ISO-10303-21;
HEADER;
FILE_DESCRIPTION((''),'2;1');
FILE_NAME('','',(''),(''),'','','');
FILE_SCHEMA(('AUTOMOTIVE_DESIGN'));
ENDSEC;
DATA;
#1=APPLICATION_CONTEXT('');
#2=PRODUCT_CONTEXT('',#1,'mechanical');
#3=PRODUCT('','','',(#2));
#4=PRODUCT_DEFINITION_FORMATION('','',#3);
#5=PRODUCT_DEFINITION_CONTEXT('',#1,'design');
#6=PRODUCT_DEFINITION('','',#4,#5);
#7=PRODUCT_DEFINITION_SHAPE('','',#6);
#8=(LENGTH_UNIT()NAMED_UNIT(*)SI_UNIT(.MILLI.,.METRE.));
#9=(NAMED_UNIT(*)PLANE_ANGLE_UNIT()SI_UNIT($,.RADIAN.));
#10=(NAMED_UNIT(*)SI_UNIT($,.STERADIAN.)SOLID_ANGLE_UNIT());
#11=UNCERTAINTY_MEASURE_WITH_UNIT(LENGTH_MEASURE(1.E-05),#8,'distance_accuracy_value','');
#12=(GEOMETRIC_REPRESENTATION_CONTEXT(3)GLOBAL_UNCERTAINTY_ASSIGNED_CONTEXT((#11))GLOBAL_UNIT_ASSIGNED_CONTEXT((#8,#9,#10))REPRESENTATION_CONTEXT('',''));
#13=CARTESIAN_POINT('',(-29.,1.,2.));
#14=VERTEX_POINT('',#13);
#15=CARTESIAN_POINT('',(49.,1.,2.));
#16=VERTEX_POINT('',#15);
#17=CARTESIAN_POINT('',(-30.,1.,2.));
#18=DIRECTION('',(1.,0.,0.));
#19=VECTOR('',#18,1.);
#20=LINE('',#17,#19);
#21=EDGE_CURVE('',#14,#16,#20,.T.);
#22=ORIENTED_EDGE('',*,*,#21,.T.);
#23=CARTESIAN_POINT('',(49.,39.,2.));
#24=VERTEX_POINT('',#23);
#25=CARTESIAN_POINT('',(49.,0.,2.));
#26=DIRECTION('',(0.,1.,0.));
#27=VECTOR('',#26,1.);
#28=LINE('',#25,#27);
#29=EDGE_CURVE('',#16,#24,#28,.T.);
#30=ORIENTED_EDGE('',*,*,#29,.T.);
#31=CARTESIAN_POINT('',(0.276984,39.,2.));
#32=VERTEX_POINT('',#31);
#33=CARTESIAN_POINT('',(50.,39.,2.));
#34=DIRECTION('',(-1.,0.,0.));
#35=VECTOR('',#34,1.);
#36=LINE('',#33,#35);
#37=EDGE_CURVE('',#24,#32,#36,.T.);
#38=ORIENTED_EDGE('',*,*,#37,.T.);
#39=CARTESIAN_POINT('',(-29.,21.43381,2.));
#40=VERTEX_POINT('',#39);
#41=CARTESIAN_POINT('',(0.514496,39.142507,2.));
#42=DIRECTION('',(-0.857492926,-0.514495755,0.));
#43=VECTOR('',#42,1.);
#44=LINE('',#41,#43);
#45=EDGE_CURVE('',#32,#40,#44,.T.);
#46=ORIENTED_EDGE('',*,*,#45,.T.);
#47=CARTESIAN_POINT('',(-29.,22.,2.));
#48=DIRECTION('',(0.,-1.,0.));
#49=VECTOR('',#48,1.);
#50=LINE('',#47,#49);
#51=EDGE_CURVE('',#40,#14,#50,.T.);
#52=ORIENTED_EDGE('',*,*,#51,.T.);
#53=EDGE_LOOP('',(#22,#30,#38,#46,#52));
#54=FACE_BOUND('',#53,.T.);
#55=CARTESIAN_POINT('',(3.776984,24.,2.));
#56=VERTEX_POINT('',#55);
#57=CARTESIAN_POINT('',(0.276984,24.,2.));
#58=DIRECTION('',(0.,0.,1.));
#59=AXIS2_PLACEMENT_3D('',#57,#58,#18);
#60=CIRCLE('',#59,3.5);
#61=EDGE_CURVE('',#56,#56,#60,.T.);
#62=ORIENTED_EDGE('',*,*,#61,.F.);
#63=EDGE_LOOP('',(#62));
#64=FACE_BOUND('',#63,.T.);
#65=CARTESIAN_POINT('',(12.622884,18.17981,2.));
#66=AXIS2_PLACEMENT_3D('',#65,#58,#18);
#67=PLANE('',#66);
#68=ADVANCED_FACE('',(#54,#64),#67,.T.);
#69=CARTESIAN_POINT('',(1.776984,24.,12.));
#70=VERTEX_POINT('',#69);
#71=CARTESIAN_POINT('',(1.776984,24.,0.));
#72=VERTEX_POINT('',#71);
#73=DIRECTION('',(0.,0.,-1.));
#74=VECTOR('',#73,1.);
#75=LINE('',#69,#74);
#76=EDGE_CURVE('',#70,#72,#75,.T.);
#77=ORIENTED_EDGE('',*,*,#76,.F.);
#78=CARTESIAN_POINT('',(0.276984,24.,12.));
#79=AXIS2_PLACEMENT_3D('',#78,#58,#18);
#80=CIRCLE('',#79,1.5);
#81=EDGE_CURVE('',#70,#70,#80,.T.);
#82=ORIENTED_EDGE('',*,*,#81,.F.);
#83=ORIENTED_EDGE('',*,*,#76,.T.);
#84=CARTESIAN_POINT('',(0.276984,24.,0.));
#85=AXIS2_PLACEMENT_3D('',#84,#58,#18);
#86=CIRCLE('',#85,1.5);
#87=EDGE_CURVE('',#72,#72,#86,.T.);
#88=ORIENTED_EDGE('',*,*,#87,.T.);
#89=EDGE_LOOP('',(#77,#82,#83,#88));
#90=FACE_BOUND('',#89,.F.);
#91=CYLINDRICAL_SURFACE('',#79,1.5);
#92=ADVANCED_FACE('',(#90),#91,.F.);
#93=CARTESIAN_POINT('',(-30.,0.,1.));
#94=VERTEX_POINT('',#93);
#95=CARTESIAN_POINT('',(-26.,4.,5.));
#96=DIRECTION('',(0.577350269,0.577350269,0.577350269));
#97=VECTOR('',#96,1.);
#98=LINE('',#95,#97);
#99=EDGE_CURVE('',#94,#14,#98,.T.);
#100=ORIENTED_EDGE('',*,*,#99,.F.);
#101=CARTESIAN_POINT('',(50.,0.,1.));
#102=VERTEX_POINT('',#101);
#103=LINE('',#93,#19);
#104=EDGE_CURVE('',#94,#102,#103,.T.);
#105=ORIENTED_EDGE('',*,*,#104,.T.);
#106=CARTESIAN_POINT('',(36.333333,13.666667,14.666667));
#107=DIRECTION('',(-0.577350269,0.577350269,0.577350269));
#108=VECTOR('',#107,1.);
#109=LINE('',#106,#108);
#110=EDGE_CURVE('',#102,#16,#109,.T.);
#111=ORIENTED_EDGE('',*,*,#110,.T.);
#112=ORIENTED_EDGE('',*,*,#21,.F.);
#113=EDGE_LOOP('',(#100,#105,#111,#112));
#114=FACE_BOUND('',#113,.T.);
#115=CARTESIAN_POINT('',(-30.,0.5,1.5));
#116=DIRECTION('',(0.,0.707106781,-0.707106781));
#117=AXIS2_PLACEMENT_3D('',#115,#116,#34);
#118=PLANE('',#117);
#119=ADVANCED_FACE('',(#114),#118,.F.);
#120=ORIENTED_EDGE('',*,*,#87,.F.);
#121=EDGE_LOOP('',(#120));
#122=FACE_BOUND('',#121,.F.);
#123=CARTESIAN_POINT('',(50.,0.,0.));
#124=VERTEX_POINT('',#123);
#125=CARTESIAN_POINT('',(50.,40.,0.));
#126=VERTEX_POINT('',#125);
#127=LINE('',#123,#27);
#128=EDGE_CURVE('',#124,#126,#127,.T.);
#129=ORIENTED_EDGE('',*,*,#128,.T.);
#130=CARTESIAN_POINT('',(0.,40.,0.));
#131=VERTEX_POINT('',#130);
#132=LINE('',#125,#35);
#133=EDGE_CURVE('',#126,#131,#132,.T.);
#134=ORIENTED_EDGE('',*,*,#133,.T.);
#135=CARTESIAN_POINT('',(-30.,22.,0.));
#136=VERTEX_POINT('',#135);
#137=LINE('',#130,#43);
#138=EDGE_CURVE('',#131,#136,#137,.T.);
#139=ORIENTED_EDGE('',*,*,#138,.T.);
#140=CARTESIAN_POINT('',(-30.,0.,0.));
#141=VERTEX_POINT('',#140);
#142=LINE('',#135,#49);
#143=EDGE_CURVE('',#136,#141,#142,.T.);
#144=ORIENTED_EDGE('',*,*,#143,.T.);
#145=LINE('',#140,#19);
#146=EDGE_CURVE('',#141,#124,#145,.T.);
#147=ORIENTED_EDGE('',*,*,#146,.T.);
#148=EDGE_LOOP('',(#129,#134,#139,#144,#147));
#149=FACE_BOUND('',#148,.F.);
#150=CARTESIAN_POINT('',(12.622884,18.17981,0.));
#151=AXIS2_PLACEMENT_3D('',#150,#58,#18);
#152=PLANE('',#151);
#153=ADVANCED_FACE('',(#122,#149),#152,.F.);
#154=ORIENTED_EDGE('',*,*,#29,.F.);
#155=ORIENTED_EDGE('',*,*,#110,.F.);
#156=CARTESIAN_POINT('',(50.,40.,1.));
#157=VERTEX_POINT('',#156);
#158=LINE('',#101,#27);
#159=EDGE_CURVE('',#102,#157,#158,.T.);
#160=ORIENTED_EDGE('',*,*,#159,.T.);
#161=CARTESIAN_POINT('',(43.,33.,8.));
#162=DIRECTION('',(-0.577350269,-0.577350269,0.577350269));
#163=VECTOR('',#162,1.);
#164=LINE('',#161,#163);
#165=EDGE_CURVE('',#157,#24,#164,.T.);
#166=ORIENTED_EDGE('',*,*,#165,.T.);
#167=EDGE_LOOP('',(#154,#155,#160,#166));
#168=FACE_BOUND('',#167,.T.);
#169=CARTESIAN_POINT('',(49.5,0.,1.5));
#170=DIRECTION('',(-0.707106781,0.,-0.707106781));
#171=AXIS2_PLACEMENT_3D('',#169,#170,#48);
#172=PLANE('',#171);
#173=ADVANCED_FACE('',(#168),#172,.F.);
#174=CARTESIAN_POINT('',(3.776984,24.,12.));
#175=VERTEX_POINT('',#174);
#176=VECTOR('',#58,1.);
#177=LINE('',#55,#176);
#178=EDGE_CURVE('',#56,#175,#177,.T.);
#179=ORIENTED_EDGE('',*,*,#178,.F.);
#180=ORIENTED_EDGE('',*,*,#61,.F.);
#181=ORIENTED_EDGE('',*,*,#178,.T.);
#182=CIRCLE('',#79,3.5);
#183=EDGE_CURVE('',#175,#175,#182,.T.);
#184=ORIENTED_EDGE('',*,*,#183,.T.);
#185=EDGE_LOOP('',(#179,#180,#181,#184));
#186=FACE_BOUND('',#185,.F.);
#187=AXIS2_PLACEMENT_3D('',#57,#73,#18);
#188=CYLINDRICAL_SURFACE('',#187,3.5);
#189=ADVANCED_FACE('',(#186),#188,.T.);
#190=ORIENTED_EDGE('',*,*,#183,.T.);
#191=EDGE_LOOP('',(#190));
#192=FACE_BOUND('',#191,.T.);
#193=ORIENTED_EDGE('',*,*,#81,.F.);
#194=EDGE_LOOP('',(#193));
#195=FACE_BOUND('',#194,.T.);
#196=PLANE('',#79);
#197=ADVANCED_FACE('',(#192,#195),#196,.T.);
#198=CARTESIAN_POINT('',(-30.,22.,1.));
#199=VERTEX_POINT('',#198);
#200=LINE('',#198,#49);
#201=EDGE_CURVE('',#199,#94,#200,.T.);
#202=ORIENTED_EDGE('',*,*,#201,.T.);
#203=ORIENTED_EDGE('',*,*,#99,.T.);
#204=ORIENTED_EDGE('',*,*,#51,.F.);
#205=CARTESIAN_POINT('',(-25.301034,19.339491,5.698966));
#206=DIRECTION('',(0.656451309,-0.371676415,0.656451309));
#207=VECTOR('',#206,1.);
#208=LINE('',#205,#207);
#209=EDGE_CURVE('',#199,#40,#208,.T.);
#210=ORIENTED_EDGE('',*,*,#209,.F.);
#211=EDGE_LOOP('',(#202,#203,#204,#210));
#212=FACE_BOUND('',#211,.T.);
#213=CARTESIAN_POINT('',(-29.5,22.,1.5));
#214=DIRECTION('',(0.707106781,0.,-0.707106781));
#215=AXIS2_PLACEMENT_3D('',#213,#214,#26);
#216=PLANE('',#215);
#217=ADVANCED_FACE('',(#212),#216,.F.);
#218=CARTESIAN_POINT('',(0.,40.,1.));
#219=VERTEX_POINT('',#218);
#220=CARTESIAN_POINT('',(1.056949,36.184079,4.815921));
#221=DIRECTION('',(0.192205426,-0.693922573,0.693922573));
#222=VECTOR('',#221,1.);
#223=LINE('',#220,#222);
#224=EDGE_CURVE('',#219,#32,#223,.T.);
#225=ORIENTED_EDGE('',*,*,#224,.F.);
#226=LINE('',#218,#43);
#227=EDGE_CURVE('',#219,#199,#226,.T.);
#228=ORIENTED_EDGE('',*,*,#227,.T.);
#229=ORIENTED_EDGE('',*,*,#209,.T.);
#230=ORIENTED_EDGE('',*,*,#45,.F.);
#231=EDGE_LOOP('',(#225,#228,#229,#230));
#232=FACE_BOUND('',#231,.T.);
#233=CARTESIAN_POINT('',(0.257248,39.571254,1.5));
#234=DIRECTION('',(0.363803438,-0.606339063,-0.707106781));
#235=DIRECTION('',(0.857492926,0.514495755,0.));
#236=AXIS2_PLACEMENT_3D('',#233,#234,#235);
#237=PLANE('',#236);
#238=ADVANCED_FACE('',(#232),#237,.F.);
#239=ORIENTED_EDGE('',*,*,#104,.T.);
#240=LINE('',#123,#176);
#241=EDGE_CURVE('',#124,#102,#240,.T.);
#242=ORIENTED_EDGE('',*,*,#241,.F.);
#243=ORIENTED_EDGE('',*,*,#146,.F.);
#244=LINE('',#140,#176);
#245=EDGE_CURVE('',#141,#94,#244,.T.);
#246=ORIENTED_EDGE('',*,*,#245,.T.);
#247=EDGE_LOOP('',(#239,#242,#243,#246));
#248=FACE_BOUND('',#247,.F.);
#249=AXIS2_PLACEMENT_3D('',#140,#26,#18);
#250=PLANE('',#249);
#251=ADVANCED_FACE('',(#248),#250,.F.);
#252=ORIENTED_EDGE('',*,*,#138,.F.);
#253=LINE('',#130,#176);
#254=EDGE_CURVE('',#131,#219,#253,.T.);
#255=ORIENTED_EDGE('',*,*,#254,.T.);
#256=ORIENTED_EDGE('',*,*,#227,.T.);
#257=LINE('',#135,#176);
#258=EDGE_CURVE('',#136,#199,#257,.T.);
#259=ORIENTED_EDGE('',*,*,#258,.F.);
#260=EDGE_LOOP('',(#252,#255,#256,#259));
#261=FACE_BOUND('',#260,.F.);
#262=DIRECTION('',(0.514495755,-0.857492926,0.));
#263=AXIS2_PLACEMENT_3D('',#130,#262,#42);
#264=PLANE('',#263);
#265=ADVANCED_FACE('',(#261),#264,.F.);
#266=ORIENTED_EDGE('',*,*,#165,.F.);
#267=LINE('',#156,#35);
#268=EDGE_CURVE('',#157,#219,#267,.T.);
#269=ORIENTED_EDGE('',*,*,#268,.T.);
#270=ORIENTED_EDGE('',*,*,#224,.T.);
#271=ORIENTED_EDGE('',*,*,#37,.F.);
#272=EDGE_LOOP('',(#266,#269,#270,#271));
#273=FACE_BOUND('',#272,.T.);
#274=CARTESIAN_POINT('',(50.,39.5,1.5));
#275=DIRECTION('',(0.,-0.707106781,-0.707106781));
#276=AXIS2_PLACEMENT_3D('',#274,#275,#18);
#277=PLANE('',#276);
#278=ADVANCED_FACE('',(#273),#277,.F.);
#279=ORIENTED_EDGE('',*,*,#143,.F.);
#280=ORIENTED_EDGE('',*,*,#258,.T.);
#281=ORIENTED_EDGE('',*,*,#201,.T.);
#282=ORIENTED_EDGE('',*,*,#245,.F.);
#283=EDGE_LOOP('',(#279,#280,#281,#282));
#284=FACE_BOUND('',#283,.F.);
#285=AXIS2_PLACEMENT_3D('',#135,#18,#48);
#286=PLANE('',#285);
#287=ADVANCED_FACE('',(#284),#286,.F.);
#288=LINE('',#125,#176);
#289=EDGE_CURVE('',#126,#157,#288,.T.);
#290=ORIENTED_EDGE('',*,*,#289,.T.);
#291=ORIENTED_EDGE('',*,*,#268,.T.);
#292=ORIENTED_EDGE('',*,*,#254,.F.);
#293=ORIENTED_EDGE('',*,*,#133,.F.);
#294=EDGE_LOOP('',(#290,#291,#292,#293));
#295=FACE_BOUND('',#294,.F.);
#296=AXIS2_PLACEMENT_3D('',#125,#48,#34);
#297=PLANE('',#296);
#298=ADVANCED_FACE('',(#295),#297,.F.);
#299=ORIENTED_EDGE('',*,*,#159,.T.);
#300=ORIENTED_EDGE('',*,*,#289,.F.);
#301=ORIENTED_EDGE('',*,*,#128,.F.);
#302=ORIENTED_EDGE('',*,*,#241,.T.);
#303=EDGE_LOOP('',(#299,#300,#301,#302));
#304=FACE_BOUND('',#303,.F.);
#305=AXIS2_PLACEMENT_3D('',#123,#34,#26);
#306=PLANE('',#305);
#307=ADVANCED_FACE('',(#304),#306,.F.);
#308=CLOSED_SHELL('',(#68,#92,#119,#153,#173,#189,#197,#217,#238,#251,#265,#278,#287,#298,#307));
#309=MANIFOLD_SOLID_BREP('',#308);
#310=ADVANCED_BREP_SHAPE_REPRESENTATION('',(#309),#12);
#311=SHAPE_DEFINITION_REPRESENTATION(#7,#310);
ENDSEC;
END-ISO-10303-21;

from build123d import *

# Parameters (mm, degrees)
F1_DEPTH = 2
F2_SIZE  = 1
F3_R     = 3.5
F4_DEPTH = 10
F5_R     = 1.5
F6_DEPTH = 15


with BuildPart() as f1:
    # F0 (on Top) → F1 (new body)
    with BuildSketch(Plane.XY):
        Polygon((-30, 0), (0, 0), (50, 0), (50, 40), (0, 40), (-30, 22), align=None)
    extrude(amount=F1_DEPTH)

    # F2
    f2_edges = [f1.edges().sort_by_distance(p)[0] for p in [
        (10, 0, 2),
        (-30, 11, 2),
        (-15, 31, 2),
        (25, 40, 2),
        (50, 20, 2),
    ]]
    chamfer(f2_edges, length=F2_SIZE)

    # F3 (on face) → F4 (join)
    with BuildSketch(Plane.XY.offset(2)):
        with Locations((0.276984, 24)):
            Circle(F3_R)
    extrude(amount=F4_DEPTH)

    # F5 (on face) → F6 (cut)
    with BuildSketch(Plane.XY.offset(12)):
        with Locations((0.276984, 24)):
            Circle(F5_R)
    extrude(amount=-F6_DEPTH, mode=Mode.SUBTRACT)


solid = f1.part
